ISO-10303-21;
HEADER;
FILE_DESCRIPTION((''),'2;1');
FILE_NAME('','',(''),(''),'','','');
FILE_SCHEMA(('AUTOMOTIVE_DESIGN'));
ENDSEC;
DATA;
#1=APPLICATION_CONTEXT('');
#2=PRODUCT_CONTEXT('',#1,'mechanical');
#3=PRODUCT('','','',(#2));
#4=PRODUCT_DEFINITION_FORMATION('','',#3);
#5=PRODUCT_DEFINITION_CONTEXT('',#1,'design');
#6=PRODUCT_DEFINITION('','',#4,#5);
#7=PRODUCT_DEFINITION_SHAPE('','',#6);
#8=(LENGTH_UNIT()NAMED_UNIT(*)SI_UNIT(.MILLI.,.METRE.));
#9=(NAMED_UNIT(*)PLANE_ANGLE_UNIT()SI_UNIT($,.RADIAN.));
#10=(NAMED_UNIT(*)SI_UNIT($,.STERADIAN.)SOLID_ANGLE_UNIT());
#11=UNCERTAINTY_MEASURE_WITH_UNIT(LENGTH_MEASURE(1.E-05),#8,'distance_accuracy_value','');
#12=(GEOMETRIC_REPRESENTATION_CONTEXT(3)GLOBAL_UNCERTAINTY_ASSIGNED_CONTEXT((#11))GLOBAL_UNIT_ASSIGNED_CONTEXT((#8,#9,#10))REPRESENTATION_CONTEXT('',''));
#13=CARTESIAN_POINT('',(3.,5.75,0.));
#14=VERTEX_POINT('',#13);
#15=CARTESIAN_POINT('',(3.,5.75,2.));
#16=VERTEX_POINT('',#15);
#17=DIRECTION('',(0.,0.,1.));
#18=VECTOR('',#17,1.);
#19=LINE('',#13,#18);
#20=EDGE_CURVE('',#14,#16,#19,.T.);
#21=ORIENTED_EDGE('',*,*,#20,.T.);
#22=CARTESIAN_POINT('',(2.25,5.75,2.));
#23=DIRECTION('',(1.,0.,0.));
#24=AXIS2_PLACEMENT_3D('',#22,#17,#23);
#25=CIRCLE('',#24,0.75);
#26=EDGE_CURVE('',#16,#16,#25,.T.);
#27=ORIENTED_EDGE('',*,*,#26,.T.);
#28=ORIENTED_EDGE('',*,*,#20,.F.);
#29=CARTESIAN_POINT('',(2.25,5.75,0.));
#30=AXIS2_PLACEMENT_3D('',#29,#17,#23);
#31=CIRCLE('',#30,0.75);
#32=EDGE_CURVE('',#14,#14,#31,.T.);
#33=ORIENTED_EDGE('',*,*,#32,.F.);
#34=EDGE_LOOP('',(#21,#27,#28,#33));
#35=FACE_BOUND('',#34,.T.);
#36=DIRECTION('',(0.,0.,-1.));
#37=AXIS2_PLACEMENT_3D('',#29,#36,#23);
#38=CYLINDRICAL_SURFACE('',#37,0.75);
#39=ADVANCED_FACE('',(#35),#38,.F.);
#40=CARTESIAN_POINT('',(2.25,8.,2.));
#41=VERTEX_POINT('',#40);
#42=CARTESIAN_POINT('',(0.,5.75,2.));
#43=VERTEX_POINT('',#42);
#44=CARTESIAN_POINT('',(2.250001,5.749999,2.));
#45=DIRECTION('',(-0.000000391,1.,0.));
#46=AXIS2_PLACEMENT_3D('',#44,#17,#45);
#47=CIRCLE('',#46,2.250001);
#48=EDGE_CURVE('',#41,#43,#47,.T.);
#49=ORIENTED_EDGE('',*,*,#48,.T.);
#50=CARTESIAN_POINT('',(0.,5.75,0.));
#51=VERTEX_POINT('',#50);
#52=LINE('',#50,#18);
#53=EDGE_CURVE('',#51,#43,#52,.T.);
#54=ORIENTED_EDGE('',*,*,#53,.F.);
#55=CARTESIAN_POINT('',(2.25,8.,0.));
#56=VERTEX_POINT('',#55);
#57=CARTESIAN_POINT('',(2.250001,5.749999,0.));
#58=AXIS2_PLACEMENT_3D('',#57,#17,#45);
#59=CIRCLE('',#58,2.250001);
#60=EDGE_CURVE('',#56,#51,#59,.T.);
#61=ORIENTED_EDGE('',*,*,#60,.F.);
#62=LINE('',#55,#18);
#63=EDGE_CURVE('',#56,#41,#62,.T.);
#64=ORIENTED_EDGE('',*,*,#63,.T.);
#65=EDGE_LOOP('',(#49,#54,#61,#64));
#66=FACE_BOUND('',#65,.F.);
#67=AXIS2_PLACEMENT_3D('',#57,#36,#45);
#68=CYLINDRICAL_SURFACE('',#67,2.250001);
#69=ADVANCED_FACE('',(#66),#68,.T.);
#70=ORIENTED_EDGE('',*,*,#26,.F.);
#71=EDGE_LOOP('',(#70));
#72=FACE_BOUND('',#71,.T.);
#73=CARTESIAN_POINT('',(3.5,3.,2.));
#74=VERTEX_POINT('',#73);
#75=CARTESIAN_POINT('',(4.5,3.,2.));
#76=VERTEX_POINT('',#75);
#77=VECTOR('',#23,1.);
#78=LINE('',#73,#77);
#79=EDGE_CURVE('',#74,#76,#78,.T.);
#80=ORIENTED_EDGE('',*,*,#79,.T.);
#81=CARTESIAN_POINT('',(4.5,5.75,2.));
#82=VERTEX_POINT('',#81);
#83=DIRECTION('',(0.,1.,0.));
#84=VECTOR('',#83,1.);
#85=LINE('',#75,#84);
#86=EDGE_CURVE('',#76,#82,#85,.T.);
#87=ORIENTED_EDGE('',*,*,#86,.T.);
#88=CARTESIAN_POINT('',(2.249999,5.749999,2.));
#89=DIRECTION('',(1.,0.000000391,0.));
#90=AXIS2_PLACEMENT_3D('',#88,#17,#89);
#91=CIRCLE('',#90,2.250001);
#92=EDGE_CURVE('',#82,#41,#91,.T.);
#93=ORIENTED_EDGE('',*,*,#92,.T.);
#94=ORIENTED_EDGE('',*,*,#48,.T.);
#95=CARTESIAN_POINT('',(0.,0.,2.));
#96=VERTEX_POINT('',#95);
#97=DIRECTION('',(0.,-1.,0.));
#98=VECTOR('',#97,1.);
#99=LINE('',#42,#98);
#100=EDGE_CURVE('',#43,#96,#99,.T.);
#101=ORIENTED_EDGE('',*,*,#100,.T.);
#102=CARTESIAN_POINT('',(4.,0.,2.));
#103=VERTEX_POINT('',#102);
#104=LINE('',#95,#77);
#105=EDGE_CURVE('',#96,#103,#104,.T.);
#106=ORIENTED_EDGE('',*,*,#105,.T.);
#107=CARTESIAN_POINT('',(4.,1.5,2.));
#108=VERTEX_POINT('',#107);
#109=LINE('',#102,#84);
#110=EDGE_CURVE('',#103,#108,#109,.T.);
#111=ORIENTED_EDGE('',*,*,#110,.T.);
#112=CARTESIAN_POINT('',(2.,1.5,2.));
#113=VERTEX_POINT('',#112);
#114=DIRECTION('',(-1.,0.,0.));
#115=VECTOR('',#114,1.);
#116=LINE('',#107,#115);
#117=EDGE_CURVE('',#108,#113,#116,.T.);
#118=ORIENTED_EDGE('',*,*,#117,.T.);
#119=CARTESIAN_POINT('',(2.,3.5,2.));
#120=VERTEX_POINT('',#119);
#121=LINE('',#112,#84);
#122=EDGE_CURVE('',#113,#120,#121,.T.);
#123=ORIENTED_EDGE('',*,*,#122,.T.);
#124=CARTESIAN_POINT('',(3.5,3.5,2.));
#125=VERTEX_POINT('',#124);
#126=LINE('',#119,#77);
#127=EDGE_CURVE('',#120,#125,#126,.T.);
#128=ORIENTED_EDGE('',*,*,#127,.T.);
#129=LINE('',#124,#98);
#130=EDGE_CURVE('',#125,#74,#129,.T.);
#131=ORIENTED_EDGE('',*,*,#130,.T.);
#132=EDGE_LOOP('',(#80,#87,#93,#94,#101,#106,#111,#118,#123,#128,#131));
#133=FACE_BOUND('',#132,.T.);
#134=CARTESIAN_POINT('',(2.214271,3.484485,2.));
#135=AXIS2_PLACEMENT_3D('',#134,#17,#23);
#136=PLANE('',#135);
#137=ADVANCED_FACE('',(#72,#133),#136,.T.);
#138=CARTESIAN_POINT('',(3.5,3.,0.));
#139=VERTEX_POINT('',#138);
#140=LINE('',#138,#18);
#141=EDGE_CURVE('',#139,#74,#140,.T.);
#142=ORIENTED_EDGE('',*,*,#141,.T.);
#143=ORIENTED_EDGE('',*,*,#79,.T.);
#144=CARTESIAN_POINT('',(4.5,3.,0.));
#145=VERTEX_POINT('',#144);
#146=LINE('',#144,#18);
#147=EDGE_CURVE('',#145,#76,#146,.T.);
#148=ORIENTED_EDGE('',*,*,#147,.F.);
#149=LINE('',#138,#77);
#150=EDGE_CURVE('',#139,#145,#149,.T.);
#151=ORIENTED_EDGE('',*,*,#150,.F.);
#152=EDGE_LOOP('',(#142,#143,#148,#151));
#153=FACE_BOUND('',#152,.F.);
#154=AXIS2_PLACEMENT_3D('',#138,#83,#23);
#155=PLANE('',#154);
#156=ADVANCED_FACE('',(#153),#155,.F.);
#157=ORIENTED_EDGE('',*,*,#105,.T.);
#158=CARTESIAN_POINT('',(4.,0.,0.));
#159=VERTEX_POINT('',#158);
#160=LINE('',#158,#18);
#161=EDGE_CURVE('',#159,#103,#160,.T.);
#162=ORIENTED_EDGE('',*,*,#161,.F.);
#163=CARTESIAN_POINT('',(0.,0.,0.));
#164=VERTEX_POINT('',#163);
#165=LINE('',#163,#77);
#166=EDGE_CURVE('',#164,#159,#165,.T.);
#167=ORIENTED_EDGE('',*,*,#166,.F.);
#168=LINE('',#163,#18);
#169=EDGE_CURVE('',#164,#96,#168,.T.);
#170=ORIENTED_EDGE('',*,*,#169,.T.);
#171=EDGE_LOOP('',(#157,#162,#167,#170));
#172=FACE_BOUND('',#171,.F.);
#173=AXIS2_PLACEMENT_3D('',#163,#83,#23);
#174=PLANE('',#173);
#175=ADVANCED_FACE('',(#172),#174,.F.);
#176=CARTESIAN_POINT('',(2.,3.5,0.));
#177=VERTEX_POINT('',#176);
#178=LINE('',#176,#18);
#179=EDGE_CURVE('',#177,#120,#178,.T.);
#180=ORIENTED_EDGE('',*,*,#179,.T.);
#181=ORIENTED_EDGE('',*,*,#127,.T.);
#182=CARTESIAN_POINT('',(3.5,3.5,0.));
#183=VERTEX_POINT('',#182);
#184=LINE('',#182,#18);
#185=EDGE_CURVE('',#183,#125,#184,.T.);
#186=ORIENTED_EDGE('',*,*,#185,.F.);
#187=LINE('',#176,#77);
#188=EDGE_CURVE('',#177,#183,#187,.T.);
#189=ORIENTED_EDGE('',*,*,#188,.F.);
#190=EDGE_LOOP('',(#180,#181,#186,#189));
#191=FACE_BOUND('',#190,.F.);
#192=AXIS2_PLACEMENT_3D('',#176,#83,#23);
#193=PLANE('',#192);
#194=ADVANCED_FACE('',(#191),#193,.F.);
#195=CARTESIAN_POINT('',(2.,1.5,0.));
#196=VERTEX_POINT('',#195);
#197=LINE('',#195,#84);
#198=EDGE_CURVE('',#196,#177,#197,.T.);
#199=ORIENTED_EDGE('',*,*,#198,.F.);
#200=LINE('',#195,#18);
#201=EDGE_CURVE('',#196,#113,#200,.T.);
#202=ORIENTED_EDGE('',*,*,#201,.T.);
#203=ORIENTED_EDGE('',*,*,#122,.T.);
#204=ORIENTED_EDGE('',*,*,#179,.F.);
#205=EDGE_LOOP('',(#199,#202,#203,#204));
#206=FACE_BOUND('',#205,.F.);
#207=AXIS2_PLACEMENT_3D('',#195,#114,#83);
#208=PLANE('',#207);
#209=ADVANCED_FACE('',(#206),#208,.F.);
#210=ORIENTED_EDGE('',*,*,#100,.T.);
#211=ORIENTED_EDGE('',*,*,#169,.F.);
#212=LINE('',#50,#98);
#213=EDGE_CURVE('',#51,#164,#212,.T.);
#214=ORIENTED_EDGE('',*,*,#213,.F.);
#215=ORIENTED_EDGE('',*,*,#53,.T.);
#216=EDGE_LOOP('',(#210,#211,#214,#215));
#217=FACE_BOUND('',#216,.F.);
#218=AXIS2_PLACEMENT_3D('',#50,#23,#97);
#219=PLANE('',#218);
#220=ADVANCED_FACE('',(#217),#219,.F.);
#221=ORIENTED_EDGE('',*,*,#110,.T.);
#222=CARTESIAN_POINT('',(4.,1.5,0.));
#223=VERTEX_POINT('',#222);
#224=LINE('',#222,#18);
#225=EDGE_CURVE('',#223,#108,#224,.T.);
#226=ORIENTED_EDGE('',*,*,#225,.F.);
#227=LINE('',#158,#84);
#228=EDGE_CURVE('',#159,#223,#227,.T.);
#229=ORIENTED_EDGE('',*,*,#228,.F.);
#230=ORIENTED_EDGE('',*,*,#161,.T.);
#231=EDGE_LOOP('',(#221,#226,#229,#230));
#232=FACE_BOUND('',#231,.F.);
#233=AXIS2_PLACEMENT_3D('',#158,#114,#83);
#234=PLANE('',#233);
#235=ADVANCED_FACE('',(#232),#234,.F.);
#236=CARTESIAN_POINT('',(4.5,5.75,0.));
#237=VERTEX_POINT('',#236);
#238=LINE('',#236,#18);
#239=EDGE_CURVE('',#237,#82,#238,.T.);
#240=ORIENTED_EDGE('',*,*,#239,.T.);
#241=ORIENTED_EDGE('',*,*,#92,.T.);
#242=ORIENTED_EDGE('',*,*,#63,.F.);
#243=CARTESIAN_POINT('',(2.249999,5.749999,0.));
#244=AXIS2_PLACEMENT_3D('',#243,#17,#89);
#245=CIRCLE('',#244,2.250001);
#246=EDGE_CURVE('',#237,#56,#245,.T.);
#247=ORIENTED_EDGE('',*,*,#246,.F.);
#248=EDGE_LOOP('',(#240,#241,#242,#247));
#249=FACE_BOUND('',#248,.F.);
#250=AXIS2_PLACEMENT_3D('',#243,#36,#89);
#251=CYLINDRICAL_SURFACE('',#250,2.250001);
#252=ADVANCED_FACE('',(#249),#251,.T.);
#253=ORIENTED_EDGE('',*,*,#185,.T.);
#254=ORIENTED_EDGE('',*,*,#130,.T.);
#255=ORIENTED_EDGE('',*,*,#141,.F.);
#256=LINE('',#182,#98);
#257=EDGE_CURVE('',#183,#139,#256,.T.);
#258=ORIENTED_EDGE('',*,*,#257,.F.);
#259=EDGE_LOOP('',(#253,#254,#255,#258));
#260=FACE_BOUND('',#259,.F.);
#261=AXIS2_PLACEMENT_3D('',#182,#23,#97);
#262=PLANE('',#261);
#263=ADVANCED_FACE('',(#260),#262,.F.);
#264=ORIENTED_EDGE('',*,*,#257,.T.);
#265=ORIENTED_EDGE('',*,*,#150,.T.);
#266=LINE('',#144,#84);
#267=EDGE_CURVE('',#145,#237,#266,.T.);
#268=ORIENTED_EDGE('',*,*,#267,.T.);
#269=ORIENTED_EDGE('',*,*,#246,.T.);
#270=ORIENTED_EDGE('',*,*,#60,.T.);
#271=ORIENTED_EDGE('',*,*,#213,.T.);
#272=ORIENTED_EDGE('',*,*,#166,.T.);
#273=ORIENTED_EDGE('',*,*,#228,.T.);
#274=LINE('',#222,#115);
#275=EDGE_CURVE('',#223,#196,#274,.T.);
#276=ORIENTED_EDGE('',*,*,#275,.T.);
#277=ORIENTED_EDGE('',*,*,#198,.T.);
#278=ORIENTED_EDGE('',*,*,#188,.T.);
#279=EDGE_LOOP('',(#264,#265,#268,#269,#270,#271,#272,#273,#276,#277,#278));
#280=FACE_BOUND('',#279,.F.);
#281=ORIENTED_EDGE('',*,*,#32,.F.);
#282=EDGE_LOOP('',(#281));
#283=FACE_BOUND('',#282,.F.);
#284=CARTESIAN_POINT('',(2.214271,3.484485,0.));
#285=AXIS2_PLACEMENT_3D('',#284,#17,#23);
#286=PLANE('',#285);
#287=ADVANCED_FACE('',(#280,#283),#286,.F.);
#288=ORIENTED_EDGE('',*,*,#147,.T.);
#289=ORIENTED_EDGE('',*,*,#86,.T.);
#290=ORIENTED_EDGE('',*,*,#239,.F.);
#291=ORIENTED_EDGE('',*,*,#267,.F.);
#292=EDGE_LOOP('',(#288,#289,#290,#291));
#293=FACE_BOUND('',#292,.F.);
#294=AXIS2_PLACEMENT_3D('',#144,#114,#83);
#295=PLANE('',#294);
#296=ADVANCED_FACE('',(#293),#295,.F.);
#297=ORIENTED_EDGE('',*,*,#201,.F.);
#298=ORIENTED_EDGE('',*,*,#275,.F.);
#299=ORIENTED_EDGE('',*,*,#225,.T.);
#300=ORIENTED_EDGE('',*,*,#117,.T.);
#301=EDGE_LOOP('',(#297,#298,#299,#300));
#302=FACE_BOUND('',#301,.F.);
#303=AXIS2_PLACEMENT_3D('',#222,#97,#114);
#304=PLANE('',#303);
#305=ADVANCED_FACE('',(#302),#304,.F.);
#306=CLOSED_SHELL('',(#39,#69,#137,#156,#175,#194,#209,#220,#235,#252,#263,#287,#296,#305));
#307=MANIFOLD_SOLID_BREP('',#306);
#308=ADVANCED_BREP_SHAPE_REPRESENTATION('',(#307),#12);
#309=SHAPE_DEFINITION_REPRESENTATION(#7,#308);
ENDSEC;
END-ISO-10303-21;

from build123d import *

# Parameters (mm, degrees)
F0_R     = 0.75
F1_DEPTH = 2


with BuildPart() as f1:
    # F0 (on Top) → F1 (new body)
    with BuildSketch(Plane.XY):
        with BuildLine():
            Line((3.5, 3.5), (3.5, 3))
            Line((3.5, 3), (4.5, 3))
            Line((4.5, 3), (4.5, 5.75))
            ThreePointArc((4.5, 5.75), (3.84099, 7.34099), (2.25, 8))
            ThreePointArc((2.25, 8), (0.65901, 7.34099), (0, 5.75))
            Line((0, 5.75), (0, 0))
            Line((0, 0), (4, 0))
            Line((4, 0), (4, 1.5))
            Line((4, 1.5), (2, 1.5))
            Line((2, 1.5), (2, 3))
            Line((2, 3), (2, 3.5))
            Line((2, 3.5), (3.5, 3.5))
        make_face()
        with Locations((2.25, 5.75)):
            Circle(F0_R, mode=Mode.SUBTRACT)
    extrude(amount=F1_DEPTH)


solid = f1.part
